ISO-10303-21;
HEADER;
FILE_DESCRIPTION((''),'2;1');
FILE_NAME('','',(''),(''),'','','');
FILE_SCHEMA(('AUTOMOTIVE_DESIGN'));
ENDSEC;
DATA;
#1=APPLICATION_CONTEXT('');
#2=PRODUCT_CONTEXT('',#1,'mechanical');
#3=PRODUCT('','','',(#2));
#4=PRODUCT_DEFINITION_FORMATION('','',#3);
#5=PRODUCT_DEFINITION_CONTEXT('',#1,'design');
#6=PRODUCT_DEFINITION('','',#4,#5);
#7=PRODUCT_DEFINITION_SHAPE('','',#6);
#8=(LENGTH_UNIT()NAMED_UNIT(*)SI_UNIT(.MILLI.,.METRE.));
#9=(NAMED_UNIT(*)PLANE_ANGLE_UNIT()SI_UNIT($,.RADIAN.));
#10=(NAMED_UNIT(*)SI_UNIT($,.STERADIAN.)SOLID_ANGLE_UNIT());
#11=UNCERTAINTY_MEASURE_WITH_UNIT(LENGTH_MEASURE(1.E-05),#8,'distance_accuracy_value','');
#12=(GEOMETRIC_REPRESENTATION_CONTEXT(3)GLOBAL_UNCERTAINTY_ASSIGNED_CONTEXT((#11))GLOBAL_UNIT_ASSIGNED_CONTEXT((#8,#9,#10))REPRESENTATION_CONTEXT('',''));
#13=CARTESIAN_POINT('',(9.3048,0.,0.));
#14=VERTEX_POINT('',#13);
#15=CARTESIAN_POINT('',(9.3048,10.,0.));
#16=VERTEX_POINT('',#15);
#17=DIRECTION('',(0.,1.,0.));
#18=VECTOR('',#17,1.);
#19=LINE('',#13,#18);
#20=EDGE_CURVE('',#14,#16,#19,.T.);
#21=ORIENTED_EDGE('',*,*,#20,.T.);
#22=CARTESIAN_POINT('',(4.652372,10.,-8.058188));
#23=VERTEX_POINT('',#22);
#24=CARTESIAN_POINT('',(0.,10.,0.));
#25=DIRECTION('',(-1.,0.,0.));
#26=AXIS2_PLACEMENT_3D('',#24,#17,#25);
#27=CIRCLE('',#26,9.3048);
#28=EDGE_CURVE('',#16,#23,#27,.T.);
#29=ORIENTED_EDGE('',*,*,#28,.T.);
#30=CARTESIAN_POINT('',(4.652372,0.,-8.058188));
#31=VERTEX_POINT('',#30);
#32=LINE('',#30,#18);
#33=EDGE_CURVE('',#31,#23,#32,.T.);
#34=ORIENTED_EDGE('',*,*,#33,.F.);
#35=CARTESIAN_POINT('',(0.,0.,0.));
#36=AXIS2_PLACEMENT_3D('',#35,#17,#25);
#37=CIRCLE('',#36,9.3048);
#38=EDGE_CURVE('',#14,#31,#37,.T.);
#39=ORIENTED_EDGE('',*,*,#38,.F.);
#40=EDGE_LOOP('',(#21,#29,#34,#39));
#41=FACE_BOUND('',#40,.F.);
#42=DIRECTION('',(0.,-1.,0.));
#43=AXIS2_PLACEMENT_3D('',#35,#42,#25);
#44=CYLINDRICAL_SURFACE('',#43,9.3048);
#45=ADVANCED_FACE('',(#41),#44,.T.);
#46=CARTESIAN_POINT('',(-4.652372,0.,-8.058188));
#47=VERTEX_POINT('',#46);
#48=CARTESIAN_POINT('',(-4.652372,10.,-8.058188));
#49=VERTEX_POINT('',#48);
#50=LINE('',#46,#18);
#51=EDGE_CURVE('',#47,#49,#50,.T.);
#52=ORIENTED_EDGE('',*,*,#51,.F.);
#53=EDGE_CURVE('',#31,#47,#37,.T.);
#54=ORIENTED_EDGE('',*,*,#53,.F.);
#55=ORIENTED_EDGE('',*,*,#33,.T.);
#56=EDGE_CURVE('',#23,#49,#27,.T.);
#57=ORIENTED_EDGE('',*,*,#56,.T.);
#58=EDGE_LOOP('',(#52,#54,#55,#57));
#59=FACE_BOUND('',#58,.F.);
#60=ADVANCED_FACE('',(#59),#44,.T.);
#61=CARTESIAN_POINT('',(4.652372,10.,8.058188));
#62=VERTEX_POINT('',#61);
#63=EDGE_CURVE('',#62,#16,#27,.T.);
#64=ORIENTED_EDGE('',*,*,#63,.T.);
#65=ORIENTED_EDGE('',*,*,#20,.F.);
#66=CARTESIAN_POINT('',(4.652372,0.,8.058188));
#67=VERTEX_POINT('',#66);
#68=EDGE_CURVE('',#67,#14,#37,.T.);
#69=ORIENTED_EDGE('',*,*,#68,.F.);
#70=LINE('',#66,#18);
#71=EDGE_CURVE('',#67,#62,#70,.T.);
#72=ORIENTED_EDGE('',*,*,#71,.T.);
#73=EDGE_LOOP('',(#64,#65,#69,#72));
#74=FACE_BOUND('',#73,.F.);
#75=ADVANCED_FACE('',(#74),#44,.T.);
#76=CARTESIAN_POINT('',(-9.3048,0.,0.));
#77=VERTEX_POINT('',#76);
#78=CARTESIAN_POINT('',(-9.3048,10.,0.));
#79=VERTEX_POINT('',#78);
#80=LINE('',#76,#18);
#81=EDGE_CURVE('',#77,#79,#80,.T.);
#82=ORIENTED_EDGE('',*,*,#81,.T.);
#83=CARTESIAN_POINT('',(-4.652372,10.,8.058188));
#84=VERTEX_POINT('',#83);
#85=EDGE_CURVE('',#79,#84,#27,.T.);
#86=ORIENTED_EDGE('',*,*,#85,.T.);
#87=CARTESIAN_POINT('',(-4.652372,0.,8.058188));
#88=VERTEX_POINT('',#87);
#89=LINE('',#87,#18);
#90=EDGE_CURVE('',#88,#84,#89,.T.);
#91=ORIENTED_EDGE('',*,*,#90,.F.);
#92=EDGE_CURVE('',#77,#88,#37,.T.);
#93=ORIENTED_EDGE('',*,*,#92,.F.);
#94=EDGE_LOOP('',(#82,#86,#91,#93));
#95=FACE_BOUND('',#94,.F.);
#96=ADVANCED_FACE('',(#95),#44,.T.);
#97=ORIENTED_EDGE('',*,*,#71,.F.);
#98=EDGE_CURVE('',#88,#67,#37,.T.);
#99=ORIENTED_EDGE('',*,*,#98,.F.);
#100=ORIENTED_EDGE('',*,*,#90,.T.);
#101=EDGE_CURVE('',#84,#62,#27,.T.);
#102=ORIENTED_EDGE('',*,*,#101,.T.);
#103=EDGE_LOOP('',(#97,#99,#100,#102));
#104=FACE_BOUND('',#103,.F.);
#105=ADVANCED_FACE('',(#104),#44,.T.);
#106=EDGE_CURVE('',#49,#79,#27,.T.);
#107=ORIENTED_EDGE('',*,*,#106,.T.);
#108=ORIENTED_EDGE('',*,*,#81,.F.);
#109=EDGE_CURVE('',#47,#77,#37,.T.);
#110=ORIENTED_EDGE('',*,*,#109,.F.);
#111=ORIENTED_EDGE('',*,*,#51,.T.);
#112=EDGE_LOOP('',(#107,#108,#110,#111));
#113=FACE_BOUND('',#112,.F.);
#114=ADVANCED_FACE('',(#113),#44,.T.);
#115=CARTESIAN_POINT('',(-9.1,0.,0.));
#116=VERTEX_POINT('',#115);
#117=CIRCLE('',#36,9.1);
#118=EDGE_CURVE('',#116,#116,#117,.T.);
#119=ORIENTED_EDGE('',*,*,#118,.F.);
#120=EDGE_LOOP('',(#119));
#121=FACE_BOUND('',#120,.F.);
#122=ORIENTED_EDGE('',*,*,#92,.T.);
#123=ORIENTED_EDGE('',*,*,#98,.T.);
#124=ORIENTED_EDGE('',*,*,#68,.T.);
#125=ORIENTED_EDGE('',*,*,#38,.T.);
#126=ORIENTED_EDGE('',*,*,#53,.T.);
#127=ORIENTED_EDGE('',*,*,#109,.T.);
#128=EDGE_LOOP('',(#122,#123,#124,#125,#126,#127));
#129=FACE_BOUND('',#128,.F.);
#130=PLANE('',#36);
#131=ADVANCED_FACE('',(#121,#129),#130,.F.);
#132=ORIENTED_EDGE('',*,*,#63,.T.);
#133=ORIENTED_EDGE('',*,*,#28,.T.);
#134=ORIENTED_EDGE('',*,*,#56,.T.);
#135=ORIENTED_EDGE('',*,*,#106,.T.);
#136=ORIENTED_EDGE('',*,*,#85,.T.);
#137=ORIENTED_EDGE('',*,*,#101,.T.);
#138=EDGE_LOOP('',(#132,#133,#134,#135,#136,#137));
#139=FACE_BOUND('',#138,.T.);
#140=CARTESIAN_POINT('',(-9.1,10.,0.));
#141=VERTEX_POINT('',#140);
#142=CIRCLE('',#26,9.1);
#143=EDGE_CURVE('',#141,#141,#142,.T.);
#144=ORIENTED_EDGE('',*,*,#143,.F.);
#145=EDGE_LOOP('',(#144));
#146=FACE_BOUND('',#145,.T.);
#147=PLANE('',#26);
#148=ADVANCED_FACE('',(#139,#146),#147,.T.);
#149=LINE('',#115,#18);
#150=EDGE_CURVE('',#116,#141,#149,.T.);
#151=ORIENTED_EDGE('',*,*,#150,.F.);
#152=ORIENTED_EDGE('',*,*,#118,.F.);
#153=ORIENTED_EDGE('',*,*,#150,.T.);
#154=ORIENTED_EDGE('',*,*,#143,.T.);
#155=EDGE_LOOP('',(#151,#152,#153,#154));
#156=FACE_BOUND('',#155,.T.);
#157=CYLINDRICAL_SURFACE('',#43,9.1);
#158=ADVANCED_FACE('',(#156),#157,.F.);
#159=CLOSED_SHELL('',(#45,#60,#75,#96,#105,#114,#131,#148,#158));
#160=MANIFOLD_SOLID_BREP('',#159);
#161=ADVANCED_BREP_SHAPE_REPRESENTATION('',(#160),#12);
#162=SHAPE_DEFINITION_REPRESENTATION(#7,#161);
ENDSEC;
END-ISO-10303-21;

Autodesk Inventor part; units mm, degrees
ref_plane "YZ Plane" through (0, 0, 0) normal (1, 0, 0) x (0, 1, 0)
ref_plane "XZ Plane" through (0, 0, 0) normal (0, 1, 0) x (-1, 0, 0)
ref_plane "XY Plane" through (0, 0, 0) normal (0, 0, 1) x (1, 0, 0)
sketch "Эскиз1" plane through (0, 0, 0) normal (0, 1, 0) x (-1, 0, 0)
  circle A0 centre (0, 0) radius 9.1
  line L0 (0, -10.7442) -> (-9.3048, -5.3721)
  line L1 (-9.3048, -5.3721) -> (-9.3048, 5.3721)
  line L2 (-9.3048, 5.3721) -> (0, 10.7442)
  line L3 (0, 10.7442) -> (9.3048, 5.3721)
  line L4 (9.3048, 5.3721) -> (9.3048, -5.3721)
  line L5 (9.3048, -5.3721) -> (0, -10.7442)
  circle A1 centre (0, 0) radius 9.3048
  dimension "d0" = 18.2
extrude "Выдавливание1" add sketch "Эскиз1" along normal blind 10 contours A1
properties part number "18650"
